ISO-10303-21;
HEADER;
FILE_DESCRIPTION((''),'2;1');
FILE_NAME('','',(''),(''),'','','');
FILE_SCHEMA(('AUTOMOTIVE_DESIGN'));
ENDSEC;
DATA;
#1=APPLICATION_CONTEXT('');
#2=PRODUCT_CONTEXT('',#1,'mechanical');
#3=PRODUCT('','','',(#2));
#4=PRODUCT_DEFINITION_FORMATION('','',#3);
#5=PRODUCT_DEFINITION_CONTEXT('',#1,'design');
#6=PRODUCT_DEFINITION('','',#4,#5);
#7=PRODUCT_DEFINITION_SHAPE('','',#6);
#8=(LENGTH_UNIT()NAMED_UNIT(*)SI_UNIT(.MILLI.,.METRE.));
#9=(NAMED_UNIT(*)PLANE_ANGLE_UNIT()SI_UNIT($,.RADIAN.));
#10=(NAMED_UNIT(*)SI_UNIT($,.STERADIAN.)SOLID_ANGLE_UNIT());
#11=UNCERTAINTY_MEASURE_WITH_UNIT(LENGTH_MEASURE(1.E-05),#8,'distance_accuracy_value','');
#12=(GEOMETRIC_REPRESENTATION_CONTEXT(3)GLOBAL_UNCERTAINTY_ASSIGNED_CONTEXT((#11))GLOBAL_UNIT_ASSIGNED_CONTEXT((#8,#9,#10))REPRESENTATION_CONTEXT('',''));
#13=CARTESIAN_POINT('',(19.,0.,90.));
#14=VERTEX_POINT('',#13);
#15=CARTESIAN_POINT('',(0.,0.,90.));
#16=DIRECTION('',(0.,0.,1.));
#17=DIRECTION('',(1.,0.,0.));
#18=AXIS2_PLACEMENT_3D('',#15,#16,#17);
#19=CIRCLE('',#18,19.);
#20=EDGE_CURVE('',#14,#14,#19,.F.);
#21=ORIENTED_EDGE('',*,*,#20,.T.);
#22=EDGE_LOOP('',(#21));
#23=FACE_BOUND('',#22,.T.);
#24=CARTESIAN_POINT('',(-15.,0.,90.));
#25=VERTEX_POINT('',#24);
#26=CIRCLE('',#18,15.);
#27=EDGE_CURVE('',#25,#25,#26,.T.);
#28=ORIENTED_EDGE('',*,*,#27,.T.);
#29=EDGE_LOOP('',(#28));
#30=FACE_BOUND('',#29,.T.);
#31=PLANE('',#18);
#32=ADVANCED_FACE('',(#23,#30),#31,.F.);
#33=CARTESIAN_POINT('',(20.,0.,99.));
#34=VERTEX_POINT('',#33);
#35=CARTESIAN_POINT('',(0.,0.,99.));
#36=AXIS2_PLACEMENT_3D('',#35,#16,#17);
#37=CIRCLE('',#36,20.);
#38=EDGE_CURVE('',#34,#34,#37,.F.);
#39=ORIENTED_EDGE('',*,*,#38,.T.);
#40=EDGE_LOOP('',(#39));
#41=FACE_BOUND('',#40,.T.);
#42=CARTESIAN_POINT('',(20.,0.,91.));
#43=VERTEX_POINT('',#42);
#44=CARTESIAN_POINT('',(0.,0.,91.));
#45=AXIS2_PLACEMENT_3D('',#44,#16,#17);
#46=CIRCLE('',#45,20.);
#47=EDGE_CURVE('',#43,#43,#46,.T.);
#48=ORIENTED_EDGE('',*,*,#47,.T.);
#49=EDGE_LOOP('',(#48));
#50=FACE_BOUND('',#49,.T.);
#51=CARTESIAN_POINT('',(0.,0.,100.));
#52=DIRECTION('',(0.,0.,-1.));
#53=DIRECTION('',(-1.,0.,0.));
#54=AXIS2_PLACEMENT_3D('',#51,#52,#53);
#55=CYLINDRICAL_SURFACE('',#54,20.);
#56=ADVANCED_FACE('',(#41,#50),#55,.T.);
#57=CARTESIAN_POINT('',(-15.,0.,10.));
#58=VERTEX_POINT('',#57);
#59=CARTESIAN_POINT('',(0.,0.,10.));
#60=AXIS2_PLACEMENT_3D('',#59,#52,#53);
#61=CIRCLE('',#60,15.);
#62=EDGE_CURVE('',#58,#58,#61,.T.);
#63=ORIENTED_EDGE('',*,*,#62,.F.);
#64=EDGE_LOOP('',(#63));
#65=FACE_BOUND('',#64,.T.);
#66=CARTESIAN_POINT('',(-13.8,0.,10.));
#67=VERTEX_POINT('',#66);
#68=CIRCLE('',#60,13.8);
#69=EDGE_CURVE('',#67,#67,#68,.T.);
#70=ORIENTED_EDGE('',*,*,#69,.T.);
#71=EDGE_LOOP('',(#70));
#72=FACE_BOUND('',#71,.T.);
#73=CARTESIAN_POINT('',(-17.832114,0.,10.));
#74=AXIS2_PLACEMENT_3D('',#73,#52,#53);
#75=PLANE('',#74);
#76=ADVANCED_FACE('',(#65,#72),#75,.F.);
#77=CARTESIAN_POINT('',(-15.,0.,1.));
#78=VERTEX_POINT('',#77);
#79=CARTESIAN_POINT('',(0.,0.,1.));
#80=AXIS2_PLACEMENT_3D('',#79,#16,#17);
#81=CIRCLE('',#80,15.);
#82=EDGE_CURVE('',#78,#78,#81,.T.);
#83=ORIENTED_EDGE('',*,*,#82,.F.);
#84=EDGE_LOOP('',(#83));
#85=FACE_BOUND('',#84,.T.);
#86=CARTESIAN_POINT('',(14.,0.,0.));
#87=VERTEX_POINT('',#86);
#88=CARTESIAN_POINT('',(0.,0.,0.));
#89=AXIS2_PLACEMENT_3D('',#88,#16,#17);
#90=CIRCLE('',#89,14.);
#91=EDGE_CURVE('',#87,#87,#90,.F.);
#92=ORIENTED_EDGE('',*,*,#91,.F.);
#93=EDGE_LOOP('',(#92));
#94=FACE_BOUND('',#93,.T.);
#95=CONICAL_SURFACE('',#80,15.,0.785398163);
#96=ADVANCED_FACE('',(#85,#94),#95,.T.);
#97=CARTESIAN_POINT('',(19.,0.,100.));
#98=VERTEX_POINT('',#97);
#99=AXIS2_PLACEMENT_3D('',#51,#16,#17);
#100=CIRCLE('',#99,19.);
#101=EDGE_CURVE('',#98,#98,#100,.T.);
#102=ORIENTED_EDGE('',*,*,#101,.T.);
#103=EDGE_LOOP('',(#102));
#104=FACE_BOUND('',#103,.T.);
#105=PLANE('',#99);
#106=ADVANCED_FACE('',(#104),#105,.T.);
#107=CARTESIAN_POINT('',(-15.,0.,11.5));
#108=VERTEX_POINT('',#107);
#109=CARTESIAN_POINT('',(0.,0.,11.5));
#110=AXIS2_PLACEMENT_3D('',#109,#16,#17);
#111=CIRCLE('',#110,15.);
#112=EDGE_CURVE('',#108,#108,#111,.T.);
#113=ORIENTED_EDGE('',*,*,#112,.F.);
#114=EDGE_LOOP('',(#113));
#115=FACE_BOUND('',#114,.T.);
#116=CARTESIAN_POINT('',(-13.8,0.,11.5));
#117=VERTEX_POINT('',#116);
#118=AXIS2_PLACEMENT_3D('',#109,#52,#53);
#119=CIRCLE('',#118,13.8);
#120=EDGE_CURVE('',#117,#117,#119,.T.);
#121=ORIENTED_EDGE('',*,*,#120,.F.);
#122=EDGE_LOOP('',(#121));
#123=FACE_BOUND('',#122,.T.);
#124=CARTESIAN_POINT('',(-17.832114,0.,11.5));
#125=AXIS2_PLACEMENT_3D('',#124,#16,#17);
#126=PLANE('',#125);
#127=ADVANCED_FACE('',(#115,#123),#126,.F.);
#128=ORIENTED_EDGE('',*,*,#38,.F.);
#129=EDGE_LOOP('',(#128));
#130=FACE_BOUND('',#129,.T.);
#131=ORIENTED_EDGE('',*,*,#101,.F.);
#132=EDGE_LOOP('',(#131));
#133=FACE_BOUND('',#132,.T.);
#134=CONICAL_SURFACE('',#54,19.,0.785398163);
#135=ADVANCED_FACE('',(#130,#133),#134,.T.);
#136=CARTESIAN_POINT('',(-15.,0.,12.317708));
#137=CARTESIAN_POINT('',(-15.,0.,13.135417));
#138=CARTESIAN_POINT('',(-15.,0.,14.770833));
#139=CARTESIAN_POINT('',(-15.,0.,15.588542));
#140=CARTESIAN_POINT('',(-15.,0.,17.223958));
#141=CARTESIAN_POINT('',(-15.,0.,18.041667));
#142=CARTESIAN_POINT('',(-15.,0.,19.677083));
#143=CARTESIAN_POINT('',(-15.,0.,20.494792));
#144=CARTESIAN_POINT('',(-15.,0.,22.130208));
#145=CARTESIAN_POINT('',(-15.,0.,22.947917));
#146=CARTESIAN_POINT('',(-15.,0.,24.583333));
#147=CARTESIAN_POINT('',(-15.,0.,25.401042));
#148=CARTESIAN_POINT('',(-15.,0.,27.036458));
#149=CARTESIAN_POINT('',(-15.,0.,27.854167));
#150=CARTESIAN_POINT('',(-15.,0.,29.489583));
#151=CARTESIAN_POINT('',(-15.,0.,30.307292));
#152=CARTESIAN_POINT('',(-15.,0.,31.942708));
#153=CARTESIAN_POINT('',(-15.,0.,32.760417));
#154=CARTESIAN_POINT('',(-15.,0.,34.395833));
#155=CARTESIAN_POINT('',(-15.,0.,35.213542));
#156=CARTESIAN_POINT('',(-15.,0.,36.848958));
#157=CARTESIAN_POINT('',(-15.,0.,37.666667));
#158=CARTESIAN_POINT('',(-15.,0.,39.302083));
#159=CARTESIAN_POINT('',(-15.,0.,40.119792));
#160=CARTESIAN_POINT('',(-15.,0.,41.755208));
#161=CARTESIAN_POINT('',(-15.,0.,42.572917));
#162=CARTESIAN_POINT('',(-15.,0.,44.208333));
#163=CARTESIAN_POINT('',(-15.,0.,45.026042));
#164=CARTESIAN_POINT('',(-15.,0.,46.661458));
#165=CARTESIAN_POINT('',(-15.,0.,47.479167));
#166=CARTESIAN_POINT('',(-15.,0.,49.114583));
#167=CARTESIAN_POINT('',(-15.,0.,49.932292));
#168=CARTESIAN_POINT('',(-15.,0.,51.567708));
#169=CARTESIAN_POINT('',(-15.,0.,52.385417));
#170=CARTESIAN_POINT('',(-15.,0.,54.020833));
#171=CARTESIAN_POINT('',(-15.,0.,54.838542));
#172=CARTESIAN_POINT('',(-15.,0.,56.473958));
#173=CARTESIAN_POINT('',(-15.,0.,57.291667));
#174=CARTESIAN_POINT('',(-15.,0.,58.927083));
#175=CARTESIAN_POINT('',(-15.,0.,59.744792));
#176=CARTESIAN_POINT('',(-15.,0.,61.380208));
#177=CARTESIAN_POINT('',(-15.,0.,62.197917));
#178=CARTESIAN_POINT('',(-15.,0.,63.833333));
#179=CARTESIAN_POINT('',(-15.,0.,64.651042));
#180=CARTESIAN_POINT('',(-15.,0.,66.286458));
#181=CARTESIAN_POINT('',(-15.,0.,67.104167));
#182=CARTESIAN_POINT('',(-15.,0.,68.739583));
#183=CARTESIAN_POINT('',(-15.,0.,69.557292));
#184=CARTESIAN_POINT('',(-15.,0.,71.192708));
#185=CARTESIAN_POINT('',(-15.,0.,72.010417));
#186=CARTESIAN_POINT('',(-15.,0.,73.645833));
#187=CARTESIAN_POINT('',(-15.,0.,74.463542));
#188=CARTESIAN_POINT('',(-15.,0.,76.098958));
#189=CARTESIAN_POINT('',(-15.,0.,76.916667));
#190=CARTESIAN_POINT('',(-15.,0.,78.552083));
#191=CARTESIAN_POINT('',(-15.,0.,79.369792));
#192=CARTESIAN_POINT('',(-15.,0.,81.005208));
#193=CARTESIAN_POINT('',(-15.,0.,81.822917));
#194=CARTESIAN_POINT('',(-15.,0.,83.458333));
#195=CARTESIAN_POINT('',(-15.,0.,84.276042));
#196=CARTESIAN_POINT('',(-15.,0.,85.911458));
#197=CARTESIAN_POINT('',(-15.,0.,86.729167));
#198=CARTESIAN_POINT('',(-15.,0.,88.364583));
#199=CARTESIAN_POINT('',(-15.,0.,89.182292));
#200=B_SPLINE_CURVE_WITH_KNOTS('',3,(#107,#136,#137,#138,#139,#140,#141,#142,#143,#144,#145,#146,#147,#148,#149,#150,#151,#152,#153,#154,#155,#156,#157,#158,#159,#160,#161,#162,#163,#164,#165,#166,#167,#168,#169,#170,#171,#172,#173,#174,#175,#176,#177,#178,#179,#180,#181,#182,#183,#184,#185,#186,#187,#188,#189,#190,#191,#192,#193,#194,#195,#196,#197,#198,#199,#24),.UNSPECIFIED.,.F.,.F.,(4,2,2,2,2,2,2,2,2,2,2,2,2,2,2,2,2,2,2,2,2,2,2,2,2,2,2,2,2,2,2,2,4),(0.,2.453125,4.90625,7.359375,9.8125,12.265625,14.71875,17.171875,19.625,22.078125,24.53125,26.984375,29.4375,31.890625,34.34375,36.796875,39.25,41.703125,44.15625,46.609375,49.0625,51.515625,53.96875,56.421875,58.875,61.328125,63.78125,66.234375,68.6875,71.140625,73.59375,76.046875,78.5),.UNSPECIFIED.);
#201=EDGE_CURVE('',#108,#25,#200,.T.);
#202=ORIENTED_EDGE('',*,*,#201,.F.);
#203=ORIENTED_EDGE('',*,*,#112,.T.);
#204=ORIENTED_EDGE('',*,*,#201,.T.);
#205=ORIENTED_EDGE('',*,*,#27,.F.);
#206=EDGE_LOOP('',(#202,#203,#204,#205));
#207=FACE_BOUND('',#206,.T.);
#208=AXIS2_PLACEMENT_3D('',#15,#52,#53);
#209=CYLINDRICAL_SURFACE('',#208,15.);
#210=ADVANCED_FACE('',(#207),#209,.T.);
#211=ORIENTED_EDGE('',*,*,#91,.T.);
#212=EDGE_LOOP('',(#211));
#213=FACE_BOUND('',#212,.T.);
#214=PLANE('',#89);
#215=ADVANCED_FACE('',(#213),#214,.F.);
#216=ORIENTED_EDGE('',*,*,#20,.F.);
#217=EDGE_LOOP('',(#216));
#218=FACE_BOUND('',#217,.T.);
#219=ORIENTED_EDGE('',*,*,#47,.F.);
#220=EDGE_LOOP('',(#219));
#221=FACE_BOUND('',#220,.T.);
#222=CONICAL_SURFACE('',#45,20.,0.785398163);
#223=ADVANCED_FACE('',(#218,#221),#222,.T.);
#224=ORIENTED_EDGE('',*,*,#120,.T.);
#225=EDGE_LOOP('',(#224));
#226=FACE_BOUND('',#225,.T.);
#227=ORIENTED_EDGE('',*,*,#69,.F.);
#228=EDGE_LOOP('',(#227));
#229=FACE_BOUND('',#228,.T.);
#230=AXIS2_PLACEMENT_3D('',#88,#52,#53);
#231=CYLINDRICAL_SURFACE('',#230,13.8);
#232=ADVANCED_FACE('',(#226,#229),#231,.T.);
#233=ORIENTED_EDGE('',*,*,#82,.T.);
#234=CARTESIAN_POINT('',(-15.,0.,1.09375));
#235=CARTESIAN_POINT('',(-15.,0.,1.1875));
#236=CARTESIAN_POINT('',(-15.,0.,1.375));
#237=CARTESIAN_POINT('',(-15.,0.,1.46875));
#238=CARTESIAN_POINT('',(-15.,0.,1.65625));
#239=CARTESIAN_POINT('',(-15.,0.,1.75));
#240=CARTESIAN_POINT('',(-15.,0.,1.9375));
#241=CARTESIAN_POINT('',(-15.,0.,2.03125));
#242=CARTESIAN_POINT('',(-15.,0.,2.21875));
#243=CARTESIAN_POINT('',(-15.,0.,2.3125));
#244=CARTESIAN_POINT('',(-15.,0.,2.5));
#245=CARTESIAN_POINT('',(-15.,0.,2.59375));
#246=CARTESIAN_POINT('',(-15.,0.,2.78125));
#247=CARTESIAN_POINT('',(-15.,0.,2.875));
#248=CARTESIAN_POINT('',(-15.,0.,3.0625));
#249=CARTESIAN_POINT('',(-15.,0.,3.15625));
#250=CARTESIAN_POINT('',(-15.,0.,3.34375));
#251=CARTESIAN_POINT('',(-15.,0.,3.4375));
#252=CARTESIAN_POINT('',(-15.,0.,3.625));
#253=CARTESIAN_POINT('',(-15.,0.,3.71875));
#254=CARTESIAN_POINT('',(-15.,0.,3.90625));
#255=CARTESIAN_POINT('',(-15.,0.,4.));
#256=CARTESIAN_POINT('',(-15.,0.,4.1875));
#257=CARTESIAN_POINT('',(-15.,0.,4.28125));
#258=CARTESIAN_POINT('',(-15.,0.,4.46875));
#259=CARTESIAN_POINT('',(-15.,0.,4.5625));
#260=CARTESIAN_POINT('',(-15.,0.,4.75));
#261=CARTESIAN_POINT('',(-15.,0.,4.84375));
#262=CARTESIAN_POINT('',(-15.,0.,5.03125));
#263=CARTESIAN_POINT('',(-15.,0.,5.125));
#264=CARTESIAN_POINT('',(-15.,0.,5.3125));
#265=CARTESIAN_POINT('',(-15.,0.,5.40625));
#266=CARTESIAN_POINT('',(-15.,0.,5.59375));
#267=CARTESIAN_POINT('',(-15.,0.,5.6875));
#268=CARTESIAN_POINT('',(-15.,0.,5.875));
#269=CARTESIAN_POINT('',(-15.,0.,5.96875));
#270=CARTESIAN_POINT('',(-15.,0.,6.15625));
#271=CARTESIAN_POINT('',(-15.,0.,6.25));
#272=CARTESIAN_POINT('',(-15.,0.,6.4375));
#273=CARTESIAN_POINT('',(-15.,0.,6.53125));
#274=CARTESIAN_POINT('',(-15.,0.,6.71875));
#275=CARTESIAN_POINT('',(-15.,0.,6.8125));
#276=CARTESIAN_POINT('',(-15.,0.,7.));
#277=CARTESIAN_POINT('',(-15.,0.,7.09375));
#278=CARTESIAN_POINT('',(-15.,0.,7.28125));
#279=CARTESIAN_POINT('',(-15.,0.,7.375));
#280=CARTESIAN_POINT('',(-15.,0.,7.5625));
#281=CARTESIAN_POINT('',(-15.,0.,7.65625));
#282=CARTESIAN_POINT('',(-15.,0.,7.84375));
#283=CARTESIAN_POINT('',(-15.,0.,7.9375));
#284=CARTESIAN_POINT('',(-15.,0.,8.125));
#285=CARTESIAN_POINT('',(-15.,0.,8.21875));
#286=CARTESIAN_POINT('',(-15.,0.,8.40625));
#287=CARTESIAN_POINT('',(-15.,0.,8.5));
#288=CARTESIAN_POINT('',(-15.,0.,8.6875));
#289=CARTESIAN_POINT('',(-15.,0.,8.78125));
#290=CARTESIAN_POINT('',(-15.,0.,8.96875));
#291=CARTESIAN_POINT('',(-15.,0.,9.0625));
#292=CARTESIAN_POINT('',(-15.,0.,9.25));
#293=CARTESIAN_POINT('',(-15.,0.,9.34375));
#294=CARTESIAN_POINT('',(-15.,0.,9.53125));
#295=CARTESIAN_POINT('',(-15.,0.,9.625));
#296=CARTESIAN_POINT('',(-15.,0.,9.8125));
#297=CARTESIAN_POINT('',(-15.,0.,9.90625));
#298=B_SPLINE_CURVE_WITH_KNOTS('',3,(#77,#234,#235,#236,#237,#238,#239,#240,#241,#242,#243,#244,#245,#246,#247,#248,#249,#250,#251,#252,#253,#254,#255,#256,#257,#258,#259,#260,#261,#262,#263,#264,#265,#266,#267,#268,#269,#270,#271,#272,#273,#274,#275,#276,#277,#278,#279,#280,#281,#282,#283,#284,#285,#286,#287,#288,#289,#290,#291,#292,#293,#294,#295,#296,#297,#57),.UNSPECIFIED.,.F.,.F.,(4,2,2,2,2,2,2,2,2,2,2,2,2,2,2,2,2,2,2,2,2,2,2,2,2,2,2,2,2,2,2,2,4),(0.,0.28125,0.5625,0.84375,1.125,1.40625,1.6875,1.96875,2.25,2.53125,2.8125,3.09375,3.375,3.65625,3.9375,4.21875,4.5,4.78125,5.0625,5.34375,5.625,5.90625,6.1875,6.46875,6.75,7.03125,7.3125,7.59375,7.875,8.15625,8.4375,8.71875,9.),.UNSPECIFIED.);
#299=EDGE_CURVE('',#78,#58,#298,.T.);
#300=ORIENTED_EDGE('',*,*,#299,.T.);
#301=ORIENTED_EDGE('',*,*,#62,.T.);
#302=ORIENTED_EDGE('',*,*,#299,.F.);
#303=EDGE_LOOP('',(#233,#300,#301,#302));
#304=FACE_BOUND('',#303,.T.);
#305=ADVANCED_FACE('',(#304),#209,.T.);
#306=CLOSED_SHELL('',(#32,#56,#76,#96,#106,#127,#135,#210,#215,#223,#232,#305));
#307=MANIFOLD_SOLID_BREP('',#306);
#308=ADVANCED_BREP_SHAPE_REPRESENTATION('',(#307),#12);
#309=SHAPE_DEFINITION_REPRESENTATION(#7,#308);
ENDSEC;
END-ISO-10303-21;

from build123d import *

# Parameters (mm, degrees)
SKETCH_1_R      = 15
EXTRUDE_1_DEPTH = 90
SKETCH_2_R      = 20
EXTRUDE_2_DEPTH = 10
SKETCH_3_W      = 4.032113995
SKETCH_3_H      = 1.5
CHAMFER_1_SIZE  = 1


with BuildPart() as part:
    # 草图1 → 凸台-拉伸1 (new body)
    with BuildSketch(Plane.XY):
        with Locations(Location((0, 0, 0), (0, 0, 180))):
            Circle(SKETCH_1_R)
    extrude(amount=EXTRUDE_1_DEPTH)

    # 草图2 → 凸台-拉伸2 (add)
    with BuildSketch(Plane.XY.offset(90)):
        Circle(SKETCH_2_R)
    extrude(amount=EXTRUDE_2_DEPTH)

    # 草图3 → 切除-旋转1 (revolve, cut)
    with BuildSketch(Plane(origin=(0, 0, 0), x_dir=(1, 0, 0), z_dir=(0, 1, 0))):
        with Locations((-15.816056998, -10.75)):
            Rectangle(SKETCH_3_W, SKETCH_3_H)
    revolve(axis=Axis((0, 0, 0), (0, 0, 1)), mode=Mode.SUBTRACT)

    # 倒角1
    chamfer_1_edges = [part.edges().sort_by_distance(p)[0] for p in [
        (15, 0, 0),
        (-20, 0, 90),
        (-20, 0, 100),
    ]]
    chamfer(chamfer_1_edges, length=CHAMFER_1_SIZE)


solid = part.part
